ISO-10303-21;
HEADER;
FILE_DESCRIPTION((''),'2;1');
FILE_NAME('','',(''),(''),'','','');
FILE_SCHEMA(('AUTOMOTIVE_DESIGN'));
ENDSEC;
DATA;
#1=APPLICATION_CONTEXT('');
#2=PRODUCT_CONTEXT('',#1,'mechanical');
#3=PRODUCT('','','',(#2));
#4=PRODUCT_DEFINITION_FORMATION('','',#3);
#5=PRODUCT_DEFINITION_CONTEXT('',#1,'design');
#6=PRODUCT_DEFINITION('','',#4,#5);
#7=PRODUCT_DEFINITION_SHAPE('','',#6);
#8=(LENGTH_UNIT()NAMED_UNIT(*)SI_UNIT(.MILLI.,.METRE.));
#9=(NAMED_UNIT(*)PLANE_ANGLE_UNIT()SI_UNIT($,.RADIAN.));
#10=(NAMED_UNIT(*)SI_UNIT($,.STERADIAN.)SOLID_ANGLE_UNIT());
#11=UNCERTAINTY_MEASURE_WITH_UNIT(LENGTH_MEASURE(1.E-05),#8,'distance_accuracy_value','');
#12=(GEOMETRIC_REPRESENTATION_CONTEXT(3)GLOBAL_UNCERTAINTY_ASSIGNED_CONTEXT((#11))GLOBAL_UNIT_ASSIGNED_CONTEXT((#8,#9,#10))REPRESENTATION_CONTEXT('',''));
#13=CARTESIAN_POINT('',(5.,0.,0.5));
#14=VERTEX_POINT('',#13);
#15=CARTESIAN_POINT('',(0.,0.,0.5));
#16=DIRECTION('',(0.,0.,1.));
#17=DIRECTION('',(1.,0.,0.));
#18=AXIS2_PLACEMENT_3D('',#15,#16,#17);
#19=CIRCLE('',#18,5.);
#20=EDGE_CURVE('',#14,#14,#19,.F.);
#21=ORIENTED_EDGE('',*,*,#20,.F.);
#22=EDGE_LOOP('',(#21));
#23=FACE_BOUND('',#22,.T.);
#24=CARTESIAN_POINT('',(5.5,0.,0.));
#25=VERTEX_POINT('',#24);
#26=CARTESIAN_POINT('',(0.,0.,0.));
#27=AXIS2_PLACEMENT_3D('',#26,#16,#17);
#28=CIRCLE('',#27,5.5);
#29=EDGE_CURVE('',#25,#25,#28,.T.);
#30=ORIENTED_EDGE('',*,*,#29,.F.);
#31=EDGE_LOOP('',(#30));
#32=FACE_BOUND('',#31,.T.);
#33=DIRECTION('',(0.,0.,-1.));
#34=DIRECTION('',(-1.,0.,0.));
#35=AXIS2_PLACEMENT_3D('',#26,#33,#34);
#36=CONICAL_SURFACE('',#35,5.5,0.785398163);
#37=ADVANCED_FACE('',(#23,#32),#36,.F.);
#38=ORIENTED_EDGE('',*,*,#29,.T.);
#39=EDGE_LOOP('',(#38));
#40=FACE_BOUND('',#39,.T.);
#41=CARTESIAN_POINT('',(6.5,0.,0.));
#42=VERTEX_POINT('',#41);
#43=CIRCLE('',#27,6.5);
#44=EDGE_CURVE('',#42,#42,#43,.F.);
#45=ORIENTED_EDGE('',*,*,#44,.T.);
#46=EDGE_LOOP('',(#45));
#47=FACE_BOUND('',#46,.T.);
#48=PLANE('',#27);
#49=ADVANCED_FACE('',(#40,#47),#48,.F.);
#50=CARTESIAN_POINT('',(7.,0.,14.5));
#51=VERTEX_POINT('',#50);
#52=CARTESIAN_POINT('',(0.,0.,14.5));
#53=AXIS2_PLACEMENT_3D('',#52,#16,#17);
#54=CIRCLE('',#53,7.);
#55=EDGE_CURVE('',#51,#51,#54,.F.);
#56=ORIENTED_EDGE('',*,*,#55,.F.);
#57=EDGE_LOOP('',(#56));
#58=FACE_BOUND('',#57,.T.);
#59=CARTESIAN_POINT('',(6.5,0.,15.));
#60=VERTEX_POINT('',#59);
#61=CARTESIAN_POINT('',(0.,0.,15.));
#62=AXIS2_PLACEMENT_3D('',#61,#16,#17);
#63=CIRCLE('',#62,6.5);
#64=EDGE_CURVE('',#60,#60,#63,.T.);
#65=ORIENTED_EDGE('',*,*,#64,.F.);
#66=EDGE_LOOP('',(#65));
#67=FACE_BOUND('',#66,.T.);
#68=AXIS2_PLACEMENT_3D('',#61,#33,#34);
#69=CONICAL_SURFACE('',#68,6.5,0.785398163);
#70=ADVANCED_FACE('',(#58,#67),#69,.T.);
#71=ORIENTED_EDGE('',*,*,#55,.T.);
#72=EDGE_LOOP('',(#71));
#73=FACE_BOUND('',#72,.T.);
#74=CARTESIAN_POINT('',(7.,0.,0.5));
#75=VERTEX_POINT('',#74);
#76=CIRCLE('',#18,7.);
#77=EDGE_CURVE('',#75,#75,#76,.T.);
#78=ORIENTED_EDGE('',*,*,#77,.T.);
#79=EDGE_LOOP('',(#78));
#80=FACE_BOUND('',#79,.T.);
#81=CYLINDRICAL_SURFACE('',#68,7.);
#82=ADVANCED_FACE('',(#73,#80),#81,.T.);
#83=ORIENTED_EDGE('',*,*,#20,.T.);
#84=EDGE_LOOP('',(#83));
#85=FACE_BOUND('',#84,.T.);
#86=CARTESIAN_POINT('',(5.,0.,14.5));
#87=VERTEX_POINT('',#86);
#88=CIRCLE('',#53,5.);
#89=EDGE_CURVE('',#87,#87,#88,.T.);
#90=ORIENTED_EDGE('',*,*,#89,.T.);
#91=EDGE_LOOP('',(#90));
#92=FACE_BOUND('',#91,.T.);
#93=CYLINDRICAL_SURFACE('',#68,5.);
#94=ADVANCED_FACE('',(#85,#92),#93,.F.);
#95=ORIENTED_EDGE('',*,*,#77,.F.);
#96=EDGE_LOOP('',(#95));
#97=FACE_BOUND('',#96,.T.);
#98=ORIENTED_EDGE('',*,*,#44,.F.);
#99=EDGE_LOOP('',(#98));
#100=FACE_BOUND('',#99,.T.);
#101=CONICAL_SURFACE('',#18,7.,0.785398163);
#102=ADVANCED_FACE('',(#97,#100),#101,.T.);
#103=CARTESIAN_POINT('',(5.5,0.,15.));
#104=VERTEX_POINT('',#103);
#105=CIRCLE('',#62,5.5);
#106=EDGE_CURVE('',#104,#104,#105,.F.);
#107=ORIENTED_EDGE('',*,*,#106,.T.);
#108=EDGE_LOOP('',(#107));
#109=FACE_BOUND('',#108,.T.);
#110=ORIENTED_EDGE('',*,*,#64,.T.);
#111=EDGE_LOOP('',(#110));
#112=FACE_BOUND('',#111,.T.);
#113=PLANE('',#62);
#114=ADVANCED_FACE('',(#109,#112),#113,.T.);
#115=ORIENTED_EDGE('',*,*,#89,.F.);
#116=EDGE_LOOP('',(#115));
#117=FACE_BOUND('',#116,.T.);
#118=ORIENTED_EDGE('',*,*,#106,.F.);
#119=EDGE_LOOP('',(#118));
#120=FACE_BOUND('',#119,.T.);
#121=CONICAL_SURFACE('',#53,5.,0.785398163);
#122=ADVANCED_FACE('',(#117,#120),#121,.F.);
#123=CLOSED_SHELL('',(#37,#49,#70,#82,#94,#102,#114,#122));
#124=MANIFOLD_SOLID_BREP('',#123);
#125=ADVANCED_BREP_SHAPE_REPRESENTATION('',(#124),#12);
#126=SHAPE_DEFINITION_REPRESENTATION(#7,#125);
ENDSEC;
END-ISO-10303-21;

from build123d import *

# Parameters (mm, degrees)
SKETCH_1_R      = 7
SKETCH_1_R_2    = 5
EXTRUDE_1_DEPTH = 15
CHAMFER_1_SIZE  = 0.5


with BuildPart() as part:
    # Эскиз1 → Бобышка-Вытянуть1 (new body)
    with BuildSketch(Plane.XY):
        Circle(SKETCH_1_R)
        Circle(SKETCH_1_R_2, mode=Mode.SUBTRACT)
    extrude(amount=EXTRUDE_1_DEPTH)

    # Фаска1
    chamfer_1_edges = [part.edges().sort_by_distance(p)[0] for p in [
        (-7, 0, 0),
        (-7, 0, 15),
        (-5, 0, 0),
        (-5, 0, 15),
    ]]
    chamfer(chamfer_1_edges, length=CHAMFER_1_SIZE)


solid = part.part
